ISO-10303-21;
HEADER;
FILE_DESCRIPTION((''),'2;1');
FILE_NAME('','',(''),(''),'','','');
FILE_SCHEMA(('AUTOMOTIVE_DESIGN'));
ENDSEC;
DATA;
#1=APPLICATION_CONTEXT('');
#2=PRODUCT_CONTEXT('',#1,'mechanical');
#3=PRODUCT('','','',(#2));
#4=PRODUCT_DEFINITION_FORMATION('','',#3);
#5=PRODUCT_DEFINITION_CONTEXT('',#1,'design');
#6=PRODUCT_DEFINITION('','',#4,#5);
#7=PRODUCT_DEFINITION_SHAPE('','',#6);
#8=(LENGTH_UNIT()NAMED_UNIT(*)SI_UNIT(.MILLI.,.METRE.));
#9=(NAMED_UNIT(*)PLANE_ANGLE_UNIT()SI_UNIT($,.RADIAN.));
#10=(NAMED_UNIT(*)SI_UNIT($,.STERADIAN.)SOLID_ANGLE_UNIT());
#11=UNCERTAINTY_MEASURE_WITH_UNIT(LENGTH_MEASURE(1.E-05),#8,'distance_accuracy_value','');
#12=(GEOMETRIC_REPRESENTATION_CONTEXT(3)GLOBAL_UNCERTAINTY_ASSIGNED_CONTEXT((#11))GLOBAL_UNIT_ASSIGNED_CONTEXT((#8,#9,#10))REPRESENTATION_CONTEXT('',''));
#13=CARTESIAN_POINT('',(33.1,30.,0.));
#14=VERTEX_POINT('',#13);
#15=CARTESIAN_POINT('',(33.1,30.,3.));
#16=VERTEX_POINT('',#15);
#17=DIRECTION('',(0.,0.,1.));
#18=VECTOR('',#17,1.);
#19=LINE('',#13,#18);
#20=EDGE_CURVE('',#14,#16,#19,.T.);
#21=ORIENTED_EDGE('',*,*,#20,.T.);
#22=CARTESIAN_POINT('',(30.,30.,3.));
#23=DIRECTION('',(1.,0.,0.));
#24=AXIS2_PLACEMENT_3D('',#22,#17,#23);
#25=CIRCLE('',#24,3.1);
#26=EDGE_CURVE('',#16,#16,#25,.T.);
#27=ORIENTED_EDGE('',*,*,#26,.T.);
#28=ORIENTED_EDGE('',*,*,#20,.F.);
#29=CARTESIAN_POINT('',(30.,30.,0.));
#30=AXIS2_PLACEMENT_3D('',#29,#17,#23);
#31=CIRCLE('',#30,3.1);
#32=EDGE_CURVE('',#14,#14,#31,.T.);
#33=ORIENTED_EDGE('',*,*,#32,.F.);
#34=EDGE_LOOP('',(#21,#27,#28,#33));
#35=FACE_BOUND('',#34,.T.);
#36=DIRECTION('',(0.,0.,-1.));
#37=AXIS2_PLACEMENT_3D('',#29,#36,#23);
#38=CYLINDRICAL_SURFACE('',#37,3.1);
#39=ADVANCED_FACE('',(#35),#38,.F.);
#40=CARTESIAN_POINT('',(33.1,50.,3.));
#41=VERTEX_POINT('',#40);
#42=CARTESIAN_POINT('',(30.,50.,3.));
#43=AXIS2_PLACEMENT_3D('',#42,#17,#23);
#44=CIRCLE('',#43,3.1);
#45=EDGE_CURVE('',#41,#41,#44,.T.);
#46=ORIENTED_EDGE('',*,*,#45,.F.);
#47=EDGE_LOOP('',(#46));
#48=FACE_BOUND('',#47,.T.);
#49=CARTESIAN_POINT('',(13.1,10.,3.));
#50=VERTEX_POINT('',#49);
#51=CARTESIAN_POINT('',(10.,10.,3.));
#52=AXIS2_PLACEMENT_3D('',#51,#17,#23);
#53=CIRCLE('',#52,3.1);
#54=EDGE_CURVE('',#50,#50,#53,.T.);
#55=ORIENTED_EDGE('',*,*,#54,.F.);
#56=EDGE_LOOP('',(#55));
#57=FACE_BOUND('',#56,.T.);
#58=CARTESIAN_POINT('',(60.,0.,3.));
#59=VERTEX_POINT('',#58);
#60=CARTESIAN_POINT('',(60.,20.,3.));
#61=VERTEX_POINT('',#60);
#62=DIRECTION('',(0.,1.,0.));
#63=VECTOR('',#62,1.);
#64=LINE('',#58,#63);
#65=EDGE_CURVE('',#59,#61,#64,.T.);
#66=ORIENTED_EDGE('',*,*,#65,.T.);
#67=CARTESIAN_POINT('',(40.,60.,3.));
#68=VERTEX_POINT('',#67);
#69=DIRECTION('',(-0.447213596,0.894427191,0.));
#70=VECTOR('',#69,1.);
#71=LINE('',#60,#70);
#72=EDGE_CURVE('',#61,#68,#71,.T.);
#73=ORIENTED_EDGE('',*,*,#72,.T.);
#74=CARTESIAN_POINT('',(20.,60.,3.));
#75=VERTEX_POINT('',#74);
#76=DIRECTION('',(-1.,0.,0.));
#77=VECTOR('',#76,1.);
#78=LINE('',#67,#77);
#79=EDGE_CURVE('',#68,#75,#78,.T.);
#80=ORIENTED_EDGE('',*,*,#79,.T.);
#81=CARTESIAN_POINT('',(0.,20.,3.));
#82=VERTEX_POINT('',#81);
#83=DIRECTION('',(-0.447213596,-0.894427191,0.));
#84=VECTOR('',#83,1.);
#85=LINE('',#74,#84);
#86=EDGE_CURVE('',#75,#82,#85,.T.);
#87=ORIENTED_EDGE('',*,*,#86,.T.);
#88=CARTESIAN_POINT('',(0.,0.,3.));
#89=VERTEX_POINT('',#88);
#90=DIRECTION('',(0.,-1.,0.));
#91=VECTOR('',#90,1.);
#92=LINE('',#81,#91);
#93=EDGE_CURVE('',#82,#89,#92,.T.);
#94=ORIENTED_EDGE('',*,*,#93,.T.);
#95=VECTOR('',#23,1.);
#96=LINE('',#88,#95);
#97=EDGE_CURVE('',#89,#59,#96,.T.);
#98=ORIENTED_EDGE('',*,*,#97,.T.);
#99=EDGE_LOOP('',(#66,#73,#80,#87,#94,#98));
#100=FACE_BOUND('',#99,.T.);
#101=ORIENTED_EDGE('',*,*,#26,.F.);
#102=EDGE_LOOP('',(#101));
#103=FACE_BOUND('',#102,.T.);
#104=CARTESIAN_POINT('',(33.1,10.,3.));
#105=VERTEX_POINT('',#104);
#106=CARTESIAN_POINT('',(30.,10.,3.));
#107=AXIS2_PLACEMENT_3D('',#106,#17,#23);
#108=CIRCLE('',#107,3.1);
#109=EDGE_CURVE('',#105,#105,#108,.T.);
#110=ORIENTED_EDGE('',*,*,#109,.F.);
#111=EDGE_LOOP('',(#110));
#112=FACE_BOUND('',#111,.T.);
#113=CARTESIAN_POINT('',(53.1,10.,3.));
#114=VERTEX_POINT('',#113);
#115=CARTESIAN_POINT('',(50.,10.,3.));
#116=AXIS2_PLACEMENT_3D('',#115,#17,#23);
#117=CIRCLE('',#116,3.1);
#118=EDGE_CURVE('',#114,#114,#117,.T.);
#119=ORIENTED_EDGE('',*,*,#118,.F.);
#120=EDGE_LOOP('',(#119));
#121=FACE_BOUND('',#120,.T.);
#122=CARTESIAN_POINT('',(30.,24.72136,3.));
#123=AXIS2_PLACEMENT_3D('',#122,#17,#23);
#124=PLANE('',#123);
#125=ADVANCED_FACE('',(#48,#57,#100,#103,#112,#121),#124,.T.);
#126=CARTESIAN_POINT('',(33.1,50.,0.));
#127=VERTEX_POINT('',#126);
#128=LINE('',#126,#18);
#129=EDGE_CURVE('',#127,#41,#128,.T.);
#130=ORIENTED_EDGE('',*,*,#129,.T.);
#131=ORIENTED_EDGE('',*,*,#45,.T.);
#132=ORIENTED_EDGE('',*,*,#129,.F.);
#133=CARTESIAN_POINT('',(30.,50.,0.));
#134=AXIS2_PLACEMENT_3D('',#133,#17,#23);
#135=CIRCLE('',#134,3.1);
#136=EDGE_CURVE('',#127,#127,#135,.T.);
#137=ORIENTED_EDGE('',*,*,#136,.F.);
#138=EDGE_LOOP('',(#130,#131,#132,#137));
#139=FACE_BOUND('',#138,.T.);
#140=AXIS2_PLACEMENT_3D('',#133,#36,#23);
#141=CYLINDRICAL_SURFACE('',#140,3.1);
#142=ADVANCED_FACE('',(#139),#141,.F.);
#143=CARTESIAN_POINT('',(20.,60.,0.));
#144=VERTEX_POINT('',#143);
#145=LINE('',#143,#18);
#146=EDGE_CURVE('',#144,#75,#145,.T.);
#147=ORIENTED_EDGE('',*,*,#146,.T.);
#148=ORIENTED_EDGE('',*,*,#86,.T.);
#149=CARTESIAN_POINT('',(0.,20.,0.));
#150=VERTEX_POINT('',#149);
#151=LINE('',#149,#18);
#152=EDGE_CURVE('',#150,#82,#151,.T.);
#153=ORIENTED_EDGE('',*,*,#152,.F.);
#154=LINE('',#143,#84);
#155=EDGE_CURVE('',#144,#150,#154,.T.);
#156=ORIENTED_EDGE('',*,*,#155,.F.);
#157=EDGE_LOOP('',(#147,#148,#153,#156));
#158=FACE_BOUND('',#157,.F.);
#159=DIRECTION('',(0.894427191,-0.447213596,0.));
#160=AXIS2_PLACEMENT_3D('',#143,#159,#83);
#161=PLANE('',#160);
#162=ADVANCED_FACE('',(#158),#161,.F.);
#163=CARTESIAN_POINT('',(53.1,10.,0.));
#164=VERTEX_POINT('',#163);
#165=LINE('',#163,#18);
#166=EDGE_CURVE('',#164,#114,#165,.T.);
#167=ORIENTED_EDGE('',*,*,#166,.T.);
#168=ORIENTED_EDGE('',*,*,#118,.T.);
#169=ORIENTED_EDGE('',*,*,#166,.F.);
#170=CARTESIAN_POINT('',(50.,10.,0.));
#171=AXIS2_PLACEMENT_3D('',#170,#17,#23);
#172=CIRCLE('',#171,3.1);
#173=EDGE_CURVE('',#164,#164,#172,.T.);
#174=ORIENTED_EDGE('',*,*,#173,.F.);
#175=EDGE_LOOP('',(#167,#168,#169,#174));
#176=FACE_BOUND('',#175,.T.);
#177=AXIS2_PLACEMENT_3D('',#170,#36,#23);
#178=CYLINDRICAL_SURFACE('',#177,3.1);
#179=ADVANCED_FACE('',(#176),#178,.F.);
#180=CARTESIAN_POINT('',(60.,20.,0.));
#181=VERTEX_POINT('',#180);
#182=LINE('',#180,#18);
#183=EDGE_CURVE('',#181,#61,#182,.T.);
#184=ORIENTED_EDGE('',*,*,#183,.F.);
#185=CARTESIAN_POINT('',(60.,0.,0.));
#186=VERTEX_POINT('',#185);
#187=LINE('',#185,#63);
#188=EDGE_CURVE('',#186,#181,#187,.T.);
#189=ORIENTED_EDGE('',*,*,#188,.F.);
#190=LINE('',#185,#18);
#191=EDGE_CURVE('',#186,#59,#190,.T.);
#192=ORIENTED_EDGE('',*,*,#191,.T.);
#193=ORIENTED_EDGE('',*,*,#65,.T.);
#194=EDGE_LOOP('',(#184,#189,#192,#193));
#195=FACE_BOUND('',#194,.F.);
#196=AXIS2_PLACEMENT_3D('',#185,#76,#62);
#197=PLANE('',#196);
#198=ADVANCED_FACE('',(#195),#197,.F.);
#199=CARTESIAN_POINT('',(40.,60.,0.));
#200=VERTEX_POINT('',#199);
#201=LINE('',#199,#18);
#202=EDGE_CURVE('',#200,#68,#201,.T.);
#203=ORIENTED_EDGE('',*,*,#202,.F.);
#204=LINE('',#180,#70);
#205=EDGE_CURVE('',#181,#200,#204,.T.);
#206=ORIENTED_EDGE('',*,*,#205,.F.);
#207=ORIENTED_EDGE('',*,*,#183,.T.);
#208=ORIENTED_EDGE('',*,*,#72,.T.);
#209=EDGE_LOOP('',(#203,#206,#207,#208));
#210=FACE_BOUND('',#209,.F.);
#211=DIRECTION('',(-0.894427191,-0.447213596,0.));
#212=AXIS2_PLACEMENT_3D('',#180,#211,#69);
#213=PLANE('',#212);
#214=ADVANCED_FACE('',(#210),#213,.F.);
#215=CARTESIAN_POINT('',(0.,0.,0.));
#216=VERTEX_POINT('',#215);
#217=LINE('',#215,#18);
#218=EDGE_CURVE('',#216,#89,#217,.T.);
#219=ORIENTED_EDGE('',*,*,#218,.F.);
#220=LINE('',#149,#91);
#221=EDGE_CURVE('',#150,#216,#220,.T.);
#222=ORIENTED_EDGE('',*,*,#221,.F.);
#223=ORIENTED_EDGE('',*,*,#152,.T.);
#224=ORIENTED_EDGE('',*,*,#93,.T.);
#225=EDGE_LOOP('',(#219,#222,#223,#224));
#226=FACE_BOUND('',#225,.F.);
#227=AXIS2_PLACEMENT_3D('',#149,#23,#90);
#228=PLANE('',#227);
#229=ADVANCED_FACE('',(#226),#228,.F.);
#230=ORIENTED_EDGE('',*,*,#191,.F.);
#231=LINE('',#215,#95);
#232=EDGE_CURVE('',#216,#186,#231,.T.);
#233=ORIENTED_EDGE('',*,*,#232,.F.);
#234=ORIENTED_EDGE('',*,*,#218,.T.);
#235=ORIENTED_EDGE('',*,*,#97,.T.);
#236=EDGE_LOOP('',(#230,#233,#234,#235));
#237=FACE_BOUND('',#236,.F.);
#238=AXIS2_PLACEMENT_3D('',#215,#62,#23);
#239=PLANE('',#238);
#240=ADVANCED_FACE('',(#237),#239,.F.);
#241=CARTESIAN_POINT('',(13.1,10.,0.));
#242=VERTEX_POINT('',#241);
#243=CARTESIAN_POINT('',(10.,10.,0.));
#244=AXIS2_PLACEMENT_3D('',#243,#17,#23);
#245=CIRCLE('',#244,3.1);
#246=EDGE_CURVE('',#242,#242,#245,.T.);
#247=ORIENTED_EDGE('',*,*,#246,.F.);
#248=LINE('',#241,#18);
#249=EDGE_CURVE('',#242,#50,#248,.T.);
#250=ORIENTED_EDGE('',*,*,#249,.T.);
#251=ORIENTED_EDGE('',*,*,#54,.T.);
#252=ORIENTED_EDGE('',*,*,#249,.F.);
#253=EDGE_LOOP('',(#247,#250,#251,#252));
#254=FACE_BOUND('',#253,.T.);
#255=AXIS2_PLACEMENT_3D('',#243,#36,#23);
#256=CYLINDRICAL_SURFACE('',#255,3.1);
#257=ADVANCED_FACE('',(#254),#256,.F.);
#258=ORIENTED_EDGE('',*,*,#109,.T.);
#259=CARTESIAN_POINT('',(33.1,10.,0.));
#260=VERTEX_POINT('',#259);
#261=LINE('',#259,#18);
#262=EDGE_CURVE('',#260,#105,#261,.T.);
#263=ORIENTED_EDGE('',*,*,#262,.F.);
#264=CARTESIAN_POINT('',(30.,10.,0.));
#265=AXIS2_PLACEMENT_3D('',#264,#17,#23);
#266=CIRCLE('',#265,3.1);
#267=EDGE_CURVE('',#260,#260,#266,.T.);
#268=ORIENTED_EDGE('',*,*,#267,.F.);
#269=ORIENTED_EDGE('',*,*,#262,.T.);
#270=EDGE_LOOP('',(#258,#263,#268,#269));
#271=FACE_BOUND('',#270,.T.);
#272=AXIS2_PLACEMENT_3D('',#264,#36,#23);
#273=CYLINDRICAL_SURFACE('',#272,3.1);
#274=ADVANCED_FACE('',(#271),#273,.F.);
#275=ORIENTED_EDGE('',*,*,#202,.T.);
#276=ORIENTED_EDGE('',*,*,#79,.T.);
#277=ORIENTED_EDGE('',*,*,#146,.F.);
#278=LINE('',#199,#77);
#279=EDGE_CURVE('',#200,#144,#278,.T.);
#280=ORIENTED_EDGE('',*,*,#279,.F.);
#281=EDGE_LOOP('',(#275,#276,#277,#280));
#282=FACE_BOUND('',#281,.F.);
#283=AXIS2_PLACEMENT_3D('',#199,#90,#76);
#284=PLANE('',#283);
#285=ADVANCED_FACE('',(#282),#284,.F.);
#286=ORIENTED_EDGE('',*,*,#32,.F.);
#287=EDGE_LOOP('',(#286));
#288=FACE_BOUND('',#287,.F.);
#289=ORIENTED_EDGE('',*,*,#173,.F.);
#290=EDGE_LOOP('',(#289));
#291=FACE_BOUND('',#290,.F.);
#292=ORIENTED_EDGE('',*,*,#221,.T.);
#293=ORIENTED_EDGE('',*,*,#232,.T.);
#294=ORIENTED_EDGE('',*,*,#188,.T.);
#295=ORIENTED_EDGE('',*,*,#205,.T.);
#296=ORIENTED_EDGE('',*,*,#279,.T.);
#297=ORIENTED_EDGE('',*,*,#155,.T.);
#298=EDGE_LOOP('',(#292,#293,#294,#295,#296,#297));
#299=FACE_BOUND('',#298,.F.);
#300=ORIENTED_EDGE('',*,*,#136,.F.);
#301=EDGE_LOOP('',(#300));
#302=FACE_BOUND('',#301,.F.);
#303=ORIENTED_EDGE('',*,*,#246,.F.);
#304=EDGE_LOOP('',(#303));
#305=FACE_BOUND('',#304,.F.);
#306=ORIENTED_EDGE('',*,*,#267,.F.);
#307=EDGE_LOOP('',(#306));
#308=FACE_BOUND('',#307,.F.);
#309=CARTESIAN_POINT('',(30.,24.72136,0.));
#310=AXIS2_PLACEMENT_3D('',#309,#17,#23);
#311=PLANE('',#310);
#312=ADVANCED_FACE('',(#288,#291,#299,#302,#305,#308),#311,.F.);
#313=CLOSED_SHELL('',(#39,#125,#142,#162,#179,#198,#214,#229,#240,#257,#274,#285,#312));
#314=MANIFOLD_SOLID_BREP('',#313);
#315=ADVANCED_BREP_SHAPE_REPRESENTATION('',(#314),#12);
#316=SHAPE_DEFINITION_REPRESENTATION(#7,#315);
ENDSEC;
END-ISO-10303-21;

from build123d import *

# Parameters (mm, degrees)
SKETCH_R  = 3.1
PAD_DEPTH = 3


with BuildPart() as part:
    # Sketch → Pad (new body)
    with BuildSketch(Plane.XY):
        Polygon((0, 0), (60, 0), (60, 20), (40, 60), (20, 60), (0, 20), align=None)
        with Locations((10, 10)):
            Circle(SKETCH_R, mode=Mode.SUBTRACT)
        with Locations((30, 10)):
            Circle(SKETCH_R, mode=Mode.SUBTRACT)
        with Locations((50, 10)):
            Circle(SKETCH_R, mode=Mode.SUBTRACT)
        with Locations((30, 30)):
            Circle(SKETCH_R, mode=Mode.SUBTRACT)
        with Locations((30, 50)):
            Circle(SKETCH_R, mode=Mode.SUBTRACT)
    extrude(amount=PAD_DEPTH)


solid = part.part
